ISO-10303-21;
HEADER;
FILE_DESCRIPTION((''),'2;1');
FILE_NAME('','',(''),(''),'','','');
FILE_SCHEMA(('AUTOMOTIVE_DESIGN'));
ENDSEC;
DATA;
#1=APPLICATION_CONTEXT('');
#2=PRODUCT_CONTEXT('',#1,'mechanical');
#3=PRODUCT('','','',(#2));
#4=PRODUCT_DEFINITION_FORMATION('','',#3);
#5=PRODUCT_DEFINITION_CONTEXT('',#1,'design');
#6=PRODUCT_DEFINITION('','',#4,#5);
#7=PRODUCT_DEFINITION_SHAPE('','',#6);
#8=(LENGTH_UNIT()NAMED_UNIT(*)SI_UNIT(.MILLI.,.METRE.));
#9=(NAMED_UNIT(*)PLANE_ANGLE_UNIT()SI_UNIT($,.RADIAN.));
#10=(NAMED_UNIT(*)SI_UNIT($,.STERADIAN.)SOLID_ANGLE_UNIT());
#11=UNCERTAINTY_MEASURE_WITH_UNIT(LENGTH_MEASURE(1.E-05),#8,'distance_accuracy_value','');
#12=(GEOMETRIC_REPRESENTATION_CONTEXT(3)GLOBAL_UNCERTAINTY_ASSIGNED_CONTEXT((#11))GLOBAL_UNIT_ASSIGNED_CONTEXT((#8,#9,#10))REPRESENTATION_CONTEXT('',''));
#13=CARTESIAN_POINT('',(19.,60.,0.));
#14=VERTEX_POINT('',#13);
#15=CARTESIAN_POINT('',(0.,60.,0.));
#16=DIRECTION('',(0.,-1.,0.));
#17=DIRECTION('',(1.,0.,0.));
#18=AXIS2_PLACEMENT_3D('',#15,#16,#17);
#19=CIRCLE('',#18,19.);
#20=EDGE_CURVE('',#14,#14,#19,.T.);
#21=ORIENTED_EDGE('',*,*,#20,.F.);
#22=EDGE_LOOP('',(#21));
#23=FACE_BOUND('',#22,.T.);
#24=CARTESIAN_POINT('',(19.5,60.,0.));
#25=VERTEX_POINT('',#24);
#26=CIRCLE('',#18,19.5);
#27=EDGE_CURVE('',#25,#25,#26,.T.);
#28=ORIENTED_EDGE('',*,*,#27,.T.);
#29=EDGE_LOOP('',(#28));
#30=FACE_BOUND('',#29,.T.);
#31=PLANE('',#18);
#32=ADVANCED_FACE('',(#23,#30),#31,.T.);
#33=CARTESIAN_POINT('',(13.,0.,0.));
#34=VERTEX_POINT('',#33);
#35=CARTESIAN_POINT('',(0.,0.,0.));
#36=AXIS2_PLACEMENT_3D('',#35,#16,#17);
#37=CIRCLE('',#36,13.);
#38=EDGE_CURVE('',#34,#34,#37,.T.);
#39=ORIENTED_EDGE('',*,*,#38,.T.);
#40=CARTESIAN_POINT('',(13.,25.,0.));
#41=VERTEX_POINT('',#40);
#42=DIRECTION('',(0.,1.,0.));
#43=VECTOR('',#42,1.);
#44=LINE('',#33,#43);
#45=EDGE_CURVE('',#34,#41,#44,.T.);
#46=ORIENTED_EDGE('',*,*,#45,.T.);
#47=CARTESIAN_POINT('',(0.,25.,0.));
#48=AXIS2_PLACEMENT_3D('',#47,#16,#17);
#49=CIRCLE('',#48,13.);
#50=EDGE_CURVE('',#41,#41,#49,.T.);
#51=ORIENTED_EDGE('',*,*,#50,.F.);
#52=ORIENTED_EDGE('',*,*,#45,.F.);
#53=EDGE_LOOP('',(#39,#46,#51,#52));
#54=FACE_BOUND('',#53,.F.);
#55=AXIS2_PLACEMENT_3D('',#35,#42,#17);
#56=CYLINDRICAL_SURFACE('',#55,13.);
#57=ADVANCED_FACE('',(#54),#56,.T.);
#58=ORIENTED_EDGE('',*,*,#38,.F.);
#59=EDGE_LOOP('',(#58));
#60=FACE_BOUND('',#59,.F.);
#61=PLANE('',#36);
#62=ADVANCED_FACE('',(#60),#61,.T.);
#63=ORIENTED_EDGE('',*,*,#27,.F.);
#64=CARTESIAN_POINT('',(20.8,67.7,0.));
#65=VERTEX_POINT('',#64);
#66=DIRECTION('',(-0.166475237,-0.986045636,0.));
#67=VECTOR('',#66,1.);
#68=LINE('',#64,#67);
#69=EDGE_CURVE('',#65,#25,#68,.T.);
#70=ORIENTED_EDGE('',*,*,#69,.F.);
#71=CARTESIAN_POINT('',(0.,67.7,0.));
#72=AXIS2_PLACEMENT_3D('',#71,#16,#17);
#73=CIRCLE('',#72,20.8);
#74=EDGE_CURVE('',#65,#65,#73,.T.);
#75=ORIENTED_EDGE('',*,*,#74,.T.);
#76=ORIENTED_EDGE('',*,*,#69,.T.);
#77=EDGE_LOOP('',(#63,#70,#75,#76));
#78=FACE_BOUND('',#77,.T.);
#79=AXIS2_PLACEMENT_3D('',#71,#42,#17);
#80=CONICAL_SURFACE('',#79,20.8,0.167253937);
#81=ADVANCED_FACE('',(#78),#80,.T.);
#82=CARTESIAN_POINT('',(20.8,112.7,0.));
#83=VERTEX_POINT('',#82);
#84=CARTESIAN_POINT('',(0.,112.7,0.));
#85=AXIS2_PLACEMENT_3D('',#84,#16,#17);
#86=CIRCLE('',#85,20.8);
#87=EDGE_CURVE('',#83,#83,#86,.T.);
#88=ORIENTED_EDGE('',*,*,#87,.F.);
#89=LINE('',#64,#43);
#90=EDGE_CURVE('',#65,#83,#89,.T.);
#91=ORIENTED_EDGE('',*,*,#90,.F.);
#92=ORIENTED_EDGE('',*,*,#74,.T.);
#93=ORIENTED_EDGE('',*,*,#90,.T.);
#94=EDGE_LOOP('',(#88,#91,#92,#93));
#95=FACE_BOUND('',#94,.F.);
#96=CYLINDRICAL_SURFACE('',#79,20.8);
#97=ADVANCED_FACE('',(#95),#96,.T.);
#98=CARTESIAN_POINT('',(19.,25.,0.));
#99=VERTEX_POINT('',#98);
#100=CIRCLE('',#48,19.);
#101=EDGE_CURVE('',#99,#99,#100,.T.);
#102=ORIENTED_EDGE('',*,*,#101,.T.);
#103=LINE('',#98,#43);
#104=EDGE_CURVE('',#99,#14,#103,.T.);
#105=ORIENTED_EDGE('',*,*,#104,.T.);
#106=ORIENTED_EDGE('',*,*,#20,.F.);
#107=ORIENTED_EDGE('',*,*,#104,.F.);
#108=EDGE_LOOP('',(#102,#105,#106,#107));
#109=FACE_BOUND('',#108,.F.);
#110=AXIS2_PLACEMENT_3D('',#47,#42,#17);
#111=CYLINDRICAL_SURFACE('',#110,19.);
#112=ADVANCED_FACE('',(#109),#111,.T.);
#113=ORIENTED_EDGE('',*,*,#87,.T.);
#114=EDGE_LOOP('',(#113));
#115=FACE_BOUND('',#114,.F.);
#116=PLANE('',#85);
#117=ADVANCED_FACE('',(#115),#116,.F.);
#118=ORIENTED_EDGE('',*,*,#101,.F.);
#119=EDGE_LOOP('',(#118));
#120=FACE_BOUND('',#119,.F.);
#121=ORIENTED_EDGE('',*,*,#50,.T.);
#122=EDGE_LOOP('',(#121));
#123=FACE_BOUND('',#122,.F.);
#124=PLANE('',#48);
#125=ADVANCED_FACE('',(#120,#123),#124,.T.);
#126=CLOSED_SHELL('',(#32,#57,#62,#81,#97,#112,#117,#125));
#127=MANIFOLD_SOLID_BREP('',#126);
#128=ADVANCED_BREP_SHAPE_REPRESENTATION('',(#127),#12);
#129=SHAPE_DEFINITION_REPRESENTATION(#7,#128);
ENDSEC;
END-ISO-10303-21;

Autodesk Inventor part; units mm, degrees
ref_plane "YZ Plane" through (0, 0, 0) normal (1, 0, 0) x (0, 1, 0)
ref_plane "XZ Plane" through (0, 0, 0) normal (0, 1, 0) x (-1, 0, 0)
ref_plane "XY Plane" through (0, 0, 0) normal (0, 0, 1) x (1, 0, 0)
sketch "スケッチ1" plane through (0, 0, 0) normal (0, 0, 1) x (1, 0, 0)
  line L0 (0, 0) -> (13, 0)
  line L1 (13, 0) -> (13, 25)
  line L2 (13, 25) -> (19, 25)
  line L3 (19, 25) -> (19, 60)
  line L4 (20.8, 67.7) -> (20.8, 112.7)
  line L5 (20.8, 112.7) -> (0, 112.7)
  line L6 (0, 112.7) -> (0, 0)
  line L7 (20.8, 67.7) -> (19.5, 60)
  line L8 (19.5, 60) -> (19, 60)
  dimension "d0" = 13
  dimension "d1" = 25
  dimension "d2" = 6
  dimension "d3" = 35
  dimension "d4" = 45
  dimension "d5" = 7.7
  dimension "d6" = 20.8
  dimension "d8" = 0.5
revolve "回転1" add sketch "スケッチ1" angle 360 about axis through (0, 112.7, 0) along (0, -1, 0)
properties part number "Rotary_handle"
